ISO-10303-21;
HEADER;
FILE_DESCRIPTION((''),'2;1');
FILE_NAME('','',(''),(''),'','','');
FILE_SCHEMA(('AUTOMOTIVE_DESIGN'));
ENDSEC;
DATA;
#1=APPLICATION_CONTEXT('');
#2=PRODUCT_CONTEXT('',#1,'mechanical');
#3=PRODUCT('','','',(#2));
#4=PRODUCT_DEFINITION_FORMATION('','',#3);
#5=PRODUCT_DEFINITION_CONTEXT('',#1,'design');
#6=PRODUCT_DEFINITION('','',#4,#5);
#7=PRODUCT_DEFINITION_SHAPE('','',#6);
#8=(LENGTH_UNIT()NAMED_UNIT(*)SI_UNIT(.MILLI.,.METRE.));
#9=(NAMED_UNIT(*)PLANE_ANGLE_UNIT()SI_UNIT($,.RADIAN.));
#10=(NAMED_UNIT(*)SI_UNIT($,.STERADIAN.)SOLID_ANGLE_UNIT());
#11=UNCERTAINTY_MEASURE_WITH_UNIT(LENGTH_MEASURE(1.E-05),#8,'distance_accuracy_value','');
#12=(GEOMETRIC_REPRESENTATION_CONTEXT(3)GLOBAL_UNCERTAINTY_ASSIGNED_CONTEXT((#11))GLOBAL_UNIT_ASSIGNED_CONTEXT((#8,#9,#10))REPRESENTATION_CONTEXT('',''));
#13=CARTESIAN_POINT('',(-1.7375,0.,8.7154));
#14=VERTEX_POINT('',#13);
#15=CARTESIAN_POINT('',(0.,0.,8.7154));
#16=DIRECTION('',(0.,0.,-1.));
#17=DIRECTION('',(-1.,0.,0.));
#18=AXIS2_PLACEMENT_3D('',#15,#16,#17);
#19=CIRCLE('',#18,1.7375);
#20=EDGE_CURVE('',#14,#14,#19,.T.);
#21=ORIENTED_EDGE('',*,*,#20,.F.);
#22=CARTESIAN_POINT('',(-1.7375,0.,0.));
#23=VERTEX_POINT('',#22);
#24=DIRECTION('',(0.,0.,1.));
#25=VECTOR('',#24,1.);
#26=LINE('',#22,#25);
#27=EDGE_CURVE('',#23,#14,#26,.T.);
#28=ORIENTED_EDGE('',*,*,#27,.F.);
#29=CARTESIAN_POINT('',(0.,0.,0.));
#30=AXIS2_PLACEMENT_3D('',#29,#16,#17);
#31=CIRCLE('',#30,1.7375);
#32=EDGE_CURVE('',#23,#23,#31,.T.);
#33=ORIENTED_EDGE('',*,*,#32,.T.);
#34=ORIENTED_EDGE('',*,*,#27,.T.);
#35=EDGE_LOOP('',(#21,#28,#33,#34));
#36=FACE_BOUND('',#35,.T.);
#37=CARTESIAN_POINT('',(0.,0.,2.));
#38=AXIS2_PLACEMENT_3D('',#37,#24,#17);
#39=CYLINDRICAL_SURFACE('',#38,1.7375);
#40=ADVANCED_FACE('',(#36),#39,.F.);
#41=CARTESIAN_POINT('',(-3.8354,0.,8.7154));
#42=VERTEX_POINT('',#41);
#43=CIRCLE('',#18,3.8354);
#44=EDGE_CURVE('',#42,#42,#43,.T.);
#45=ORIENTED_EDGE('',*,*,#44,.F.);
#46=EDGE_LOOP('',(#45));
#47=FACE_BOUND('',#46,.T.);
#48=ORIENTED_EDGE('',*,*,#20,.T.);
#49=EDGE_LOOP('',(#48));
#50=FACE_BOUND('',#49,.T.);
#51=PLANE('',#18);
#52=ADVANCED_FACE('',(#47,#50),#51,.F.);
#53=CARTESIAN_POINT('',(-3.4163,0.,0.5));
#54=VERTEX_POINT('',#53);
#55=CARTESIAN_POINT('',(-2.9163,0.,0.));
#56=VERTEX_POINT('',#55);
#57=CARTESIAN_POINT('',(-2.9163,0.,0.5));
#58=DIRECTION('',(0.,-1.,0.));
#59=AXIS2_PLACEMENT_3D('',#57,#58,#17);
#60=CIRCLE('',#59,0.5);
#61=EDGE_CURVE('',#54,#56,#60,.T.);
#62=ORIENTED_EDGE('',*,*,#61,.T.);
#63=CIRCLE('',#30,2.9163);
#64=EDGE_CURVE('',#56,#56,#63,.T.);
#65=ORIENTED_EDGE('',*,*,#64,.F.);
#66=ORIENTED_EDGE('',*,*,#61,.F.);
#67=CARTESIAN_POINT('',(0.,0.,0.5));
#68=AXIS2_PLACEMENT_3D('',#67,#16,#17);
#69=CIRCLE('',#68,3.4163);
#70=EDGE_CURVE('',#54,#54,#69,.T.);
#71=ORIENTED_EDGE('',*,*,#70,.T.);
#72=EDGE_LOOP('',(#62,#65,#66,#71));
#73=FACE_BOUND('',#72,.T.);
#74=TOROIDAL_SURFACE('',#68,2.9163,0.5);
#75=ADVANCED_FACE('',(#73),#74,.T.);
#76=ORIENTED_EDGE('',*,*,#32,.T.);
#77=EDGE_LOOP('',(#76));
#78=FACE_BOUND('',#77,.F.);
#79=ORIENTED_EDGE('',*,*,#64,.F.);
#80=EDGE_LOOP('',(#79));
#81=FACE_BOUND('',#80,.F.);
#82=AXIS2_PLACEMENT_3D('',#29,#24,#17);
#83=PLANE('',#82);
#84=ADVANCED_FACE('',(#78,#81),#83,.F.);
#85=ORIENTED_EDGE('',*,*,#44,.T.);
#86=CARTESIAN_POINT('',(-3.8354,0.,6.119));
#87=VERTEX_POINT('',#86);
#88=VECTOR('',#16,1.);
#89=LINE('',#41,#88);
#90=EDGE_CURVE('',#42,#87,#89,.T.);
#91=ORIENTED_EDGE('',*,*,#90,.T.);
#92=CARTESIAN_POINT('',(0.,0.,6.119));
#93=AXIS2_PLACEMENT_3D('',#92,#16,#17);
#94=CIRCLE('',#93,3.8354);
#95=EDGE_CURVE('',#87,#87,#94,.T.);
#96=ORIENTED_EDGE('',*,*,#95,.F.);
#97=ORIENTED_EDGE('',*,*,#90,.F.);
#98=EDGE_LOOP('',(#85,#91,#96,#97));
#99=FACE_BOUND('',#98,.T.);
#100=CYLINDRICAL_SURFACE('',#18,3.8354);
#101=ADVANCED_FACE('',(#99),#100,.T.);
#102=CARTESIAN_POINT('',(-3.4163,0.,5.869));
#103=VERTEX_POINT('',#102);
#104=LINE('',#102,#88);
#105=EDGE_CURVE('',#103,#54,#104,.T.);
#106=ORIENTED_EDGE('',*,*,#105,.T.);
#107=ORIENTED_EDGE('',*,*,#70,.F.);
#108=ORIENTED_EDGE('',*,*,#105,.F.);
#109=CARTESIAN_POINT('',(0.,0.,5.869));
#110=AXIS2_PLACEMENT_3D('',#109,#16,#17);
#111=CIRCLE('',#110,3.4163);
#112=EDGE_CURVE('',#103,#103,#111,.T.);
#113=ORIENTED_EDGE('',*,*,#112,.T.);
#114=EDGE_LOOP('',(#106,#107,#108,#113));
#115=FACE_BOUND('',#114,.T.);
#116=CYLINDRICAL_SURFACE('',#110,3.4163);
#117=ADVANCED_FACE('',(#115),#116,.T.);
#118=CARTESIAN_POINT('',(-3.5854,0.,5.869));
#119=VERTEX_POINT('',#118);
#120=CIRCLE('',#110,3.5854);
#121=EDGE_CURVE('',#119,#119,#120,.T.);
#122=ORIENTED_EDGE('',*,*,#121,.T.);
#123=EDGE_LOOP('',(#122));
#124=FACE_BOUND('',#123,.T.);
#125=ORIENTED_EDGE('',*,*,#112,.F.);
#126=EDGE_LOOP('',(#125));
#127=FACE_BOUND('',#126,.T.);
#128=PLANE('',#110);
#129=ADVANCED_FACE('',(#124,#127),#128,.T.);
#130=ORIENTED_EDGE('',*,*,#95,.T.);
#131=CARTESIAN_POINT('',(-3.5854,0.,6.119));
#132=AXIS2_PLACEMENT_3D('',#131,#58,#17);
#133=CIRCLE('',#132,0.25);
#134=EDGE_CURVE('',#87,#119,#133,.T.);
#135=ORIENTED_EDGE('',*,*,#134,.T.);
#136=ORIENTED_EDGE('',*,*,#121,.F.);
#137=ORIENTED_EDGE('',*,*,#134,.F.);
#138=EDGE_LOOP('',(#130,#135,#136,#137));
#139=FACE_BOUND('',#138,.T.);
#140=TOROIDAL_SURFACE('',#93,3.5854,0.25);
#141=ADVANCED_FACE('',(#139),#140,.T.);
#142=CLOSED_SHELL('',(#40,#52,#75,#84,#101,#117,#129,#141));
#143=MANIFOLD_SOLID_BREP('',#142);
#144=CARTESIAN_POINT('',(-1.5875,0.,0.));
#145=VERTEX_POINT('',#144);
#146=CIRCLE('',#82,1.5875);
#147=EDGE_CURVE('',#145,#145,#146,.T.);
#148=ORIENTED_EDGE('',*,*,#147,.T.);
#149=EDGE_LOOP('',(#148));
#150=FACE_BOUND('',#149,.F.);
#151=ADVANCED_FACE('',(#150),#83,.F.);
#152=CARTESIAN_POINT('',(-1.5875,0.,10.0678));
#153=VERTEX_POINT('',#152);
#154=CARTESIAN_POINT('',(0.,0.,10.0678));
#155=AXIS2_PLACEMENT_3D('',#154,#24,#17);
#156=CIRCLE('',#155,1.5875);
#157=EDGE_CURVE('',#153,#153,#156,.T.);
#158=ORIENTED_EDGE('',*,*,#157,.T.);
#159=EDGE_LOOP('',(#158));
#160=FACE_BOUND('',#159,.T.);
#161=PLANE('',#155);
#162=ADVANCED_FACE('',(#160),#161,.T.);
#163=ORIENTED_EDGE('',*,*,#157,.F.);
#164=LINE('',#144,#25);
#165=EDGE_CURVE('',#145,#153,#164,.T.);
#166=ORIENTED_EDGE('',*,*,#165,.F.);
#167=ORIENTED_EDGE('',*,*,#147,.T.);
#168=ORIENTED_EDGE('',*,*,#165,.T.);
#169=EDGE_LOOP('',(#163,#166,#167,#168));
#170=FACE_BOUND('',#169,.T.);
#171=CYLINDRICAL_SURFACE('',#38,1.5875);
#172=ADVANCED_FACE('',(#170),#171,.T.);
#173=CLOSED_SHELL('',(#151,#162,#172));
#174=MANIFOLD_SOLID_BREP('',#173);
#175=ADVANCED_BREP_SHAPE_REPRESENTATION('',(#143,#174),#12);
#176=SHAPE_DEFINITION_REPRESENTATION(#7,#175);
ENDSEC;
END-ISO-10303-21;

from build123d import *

# Parameters (mm, degrees)
F2_R     = 0.25
F3_R     = 0.5
F4_W     = 1.5875
F4_H     = 10.0678
F6_DEPTH = 2


with BuildPart() as f1:
    # F0 (on Front) → F1 (revolve)
    with BuildSketch(Plane.XZ):
        Polygon((-3.4163, 0), (0, 0), (0, 2), (-1.7375, 2), (-1.7375, 8.7154), (-3.8354, 8.7154), (-3.8354, 5.869), (-3.4163, 5.869), align=None)
    revolve(axis=Axis((0, 0, 1), (0, 0, -1)))

    # F2
    f2_edges = [f1.edges().sort_by_distance(p)[0] for p in [
        (3.8354, 0, 5.869),
    ]]
    fillet(f2_edges, radius=F2_R)

    # F3
    f3_edges = [f1.edges().sort_by_distance(p)[0] for p in [
        (3.4163, 0, 0),
    ]]
    fillet(f3_edges, radius=F3_R)

    # F4 (on Front) → F5 (revolve)
    with BuildSketch(Plane.XZ):
        with Locations((-0.79375, 5.0339)):
            Rectangle(F4_W, F4_H)
    revolve(axis=Axis((0, 0, 5.0339), (0, 0, 1)))

    # F6 (cut, through all): a face of the model
    f6_faces = [f1.faces().sort_by_distance(p)[0] for p in [
        (1.6883560787, 0, 2),
    ]]
    extrude(f6_faces, amount=-F6_DEPTH, mode=Mode.SUBTRACT)


solid = f1.part
